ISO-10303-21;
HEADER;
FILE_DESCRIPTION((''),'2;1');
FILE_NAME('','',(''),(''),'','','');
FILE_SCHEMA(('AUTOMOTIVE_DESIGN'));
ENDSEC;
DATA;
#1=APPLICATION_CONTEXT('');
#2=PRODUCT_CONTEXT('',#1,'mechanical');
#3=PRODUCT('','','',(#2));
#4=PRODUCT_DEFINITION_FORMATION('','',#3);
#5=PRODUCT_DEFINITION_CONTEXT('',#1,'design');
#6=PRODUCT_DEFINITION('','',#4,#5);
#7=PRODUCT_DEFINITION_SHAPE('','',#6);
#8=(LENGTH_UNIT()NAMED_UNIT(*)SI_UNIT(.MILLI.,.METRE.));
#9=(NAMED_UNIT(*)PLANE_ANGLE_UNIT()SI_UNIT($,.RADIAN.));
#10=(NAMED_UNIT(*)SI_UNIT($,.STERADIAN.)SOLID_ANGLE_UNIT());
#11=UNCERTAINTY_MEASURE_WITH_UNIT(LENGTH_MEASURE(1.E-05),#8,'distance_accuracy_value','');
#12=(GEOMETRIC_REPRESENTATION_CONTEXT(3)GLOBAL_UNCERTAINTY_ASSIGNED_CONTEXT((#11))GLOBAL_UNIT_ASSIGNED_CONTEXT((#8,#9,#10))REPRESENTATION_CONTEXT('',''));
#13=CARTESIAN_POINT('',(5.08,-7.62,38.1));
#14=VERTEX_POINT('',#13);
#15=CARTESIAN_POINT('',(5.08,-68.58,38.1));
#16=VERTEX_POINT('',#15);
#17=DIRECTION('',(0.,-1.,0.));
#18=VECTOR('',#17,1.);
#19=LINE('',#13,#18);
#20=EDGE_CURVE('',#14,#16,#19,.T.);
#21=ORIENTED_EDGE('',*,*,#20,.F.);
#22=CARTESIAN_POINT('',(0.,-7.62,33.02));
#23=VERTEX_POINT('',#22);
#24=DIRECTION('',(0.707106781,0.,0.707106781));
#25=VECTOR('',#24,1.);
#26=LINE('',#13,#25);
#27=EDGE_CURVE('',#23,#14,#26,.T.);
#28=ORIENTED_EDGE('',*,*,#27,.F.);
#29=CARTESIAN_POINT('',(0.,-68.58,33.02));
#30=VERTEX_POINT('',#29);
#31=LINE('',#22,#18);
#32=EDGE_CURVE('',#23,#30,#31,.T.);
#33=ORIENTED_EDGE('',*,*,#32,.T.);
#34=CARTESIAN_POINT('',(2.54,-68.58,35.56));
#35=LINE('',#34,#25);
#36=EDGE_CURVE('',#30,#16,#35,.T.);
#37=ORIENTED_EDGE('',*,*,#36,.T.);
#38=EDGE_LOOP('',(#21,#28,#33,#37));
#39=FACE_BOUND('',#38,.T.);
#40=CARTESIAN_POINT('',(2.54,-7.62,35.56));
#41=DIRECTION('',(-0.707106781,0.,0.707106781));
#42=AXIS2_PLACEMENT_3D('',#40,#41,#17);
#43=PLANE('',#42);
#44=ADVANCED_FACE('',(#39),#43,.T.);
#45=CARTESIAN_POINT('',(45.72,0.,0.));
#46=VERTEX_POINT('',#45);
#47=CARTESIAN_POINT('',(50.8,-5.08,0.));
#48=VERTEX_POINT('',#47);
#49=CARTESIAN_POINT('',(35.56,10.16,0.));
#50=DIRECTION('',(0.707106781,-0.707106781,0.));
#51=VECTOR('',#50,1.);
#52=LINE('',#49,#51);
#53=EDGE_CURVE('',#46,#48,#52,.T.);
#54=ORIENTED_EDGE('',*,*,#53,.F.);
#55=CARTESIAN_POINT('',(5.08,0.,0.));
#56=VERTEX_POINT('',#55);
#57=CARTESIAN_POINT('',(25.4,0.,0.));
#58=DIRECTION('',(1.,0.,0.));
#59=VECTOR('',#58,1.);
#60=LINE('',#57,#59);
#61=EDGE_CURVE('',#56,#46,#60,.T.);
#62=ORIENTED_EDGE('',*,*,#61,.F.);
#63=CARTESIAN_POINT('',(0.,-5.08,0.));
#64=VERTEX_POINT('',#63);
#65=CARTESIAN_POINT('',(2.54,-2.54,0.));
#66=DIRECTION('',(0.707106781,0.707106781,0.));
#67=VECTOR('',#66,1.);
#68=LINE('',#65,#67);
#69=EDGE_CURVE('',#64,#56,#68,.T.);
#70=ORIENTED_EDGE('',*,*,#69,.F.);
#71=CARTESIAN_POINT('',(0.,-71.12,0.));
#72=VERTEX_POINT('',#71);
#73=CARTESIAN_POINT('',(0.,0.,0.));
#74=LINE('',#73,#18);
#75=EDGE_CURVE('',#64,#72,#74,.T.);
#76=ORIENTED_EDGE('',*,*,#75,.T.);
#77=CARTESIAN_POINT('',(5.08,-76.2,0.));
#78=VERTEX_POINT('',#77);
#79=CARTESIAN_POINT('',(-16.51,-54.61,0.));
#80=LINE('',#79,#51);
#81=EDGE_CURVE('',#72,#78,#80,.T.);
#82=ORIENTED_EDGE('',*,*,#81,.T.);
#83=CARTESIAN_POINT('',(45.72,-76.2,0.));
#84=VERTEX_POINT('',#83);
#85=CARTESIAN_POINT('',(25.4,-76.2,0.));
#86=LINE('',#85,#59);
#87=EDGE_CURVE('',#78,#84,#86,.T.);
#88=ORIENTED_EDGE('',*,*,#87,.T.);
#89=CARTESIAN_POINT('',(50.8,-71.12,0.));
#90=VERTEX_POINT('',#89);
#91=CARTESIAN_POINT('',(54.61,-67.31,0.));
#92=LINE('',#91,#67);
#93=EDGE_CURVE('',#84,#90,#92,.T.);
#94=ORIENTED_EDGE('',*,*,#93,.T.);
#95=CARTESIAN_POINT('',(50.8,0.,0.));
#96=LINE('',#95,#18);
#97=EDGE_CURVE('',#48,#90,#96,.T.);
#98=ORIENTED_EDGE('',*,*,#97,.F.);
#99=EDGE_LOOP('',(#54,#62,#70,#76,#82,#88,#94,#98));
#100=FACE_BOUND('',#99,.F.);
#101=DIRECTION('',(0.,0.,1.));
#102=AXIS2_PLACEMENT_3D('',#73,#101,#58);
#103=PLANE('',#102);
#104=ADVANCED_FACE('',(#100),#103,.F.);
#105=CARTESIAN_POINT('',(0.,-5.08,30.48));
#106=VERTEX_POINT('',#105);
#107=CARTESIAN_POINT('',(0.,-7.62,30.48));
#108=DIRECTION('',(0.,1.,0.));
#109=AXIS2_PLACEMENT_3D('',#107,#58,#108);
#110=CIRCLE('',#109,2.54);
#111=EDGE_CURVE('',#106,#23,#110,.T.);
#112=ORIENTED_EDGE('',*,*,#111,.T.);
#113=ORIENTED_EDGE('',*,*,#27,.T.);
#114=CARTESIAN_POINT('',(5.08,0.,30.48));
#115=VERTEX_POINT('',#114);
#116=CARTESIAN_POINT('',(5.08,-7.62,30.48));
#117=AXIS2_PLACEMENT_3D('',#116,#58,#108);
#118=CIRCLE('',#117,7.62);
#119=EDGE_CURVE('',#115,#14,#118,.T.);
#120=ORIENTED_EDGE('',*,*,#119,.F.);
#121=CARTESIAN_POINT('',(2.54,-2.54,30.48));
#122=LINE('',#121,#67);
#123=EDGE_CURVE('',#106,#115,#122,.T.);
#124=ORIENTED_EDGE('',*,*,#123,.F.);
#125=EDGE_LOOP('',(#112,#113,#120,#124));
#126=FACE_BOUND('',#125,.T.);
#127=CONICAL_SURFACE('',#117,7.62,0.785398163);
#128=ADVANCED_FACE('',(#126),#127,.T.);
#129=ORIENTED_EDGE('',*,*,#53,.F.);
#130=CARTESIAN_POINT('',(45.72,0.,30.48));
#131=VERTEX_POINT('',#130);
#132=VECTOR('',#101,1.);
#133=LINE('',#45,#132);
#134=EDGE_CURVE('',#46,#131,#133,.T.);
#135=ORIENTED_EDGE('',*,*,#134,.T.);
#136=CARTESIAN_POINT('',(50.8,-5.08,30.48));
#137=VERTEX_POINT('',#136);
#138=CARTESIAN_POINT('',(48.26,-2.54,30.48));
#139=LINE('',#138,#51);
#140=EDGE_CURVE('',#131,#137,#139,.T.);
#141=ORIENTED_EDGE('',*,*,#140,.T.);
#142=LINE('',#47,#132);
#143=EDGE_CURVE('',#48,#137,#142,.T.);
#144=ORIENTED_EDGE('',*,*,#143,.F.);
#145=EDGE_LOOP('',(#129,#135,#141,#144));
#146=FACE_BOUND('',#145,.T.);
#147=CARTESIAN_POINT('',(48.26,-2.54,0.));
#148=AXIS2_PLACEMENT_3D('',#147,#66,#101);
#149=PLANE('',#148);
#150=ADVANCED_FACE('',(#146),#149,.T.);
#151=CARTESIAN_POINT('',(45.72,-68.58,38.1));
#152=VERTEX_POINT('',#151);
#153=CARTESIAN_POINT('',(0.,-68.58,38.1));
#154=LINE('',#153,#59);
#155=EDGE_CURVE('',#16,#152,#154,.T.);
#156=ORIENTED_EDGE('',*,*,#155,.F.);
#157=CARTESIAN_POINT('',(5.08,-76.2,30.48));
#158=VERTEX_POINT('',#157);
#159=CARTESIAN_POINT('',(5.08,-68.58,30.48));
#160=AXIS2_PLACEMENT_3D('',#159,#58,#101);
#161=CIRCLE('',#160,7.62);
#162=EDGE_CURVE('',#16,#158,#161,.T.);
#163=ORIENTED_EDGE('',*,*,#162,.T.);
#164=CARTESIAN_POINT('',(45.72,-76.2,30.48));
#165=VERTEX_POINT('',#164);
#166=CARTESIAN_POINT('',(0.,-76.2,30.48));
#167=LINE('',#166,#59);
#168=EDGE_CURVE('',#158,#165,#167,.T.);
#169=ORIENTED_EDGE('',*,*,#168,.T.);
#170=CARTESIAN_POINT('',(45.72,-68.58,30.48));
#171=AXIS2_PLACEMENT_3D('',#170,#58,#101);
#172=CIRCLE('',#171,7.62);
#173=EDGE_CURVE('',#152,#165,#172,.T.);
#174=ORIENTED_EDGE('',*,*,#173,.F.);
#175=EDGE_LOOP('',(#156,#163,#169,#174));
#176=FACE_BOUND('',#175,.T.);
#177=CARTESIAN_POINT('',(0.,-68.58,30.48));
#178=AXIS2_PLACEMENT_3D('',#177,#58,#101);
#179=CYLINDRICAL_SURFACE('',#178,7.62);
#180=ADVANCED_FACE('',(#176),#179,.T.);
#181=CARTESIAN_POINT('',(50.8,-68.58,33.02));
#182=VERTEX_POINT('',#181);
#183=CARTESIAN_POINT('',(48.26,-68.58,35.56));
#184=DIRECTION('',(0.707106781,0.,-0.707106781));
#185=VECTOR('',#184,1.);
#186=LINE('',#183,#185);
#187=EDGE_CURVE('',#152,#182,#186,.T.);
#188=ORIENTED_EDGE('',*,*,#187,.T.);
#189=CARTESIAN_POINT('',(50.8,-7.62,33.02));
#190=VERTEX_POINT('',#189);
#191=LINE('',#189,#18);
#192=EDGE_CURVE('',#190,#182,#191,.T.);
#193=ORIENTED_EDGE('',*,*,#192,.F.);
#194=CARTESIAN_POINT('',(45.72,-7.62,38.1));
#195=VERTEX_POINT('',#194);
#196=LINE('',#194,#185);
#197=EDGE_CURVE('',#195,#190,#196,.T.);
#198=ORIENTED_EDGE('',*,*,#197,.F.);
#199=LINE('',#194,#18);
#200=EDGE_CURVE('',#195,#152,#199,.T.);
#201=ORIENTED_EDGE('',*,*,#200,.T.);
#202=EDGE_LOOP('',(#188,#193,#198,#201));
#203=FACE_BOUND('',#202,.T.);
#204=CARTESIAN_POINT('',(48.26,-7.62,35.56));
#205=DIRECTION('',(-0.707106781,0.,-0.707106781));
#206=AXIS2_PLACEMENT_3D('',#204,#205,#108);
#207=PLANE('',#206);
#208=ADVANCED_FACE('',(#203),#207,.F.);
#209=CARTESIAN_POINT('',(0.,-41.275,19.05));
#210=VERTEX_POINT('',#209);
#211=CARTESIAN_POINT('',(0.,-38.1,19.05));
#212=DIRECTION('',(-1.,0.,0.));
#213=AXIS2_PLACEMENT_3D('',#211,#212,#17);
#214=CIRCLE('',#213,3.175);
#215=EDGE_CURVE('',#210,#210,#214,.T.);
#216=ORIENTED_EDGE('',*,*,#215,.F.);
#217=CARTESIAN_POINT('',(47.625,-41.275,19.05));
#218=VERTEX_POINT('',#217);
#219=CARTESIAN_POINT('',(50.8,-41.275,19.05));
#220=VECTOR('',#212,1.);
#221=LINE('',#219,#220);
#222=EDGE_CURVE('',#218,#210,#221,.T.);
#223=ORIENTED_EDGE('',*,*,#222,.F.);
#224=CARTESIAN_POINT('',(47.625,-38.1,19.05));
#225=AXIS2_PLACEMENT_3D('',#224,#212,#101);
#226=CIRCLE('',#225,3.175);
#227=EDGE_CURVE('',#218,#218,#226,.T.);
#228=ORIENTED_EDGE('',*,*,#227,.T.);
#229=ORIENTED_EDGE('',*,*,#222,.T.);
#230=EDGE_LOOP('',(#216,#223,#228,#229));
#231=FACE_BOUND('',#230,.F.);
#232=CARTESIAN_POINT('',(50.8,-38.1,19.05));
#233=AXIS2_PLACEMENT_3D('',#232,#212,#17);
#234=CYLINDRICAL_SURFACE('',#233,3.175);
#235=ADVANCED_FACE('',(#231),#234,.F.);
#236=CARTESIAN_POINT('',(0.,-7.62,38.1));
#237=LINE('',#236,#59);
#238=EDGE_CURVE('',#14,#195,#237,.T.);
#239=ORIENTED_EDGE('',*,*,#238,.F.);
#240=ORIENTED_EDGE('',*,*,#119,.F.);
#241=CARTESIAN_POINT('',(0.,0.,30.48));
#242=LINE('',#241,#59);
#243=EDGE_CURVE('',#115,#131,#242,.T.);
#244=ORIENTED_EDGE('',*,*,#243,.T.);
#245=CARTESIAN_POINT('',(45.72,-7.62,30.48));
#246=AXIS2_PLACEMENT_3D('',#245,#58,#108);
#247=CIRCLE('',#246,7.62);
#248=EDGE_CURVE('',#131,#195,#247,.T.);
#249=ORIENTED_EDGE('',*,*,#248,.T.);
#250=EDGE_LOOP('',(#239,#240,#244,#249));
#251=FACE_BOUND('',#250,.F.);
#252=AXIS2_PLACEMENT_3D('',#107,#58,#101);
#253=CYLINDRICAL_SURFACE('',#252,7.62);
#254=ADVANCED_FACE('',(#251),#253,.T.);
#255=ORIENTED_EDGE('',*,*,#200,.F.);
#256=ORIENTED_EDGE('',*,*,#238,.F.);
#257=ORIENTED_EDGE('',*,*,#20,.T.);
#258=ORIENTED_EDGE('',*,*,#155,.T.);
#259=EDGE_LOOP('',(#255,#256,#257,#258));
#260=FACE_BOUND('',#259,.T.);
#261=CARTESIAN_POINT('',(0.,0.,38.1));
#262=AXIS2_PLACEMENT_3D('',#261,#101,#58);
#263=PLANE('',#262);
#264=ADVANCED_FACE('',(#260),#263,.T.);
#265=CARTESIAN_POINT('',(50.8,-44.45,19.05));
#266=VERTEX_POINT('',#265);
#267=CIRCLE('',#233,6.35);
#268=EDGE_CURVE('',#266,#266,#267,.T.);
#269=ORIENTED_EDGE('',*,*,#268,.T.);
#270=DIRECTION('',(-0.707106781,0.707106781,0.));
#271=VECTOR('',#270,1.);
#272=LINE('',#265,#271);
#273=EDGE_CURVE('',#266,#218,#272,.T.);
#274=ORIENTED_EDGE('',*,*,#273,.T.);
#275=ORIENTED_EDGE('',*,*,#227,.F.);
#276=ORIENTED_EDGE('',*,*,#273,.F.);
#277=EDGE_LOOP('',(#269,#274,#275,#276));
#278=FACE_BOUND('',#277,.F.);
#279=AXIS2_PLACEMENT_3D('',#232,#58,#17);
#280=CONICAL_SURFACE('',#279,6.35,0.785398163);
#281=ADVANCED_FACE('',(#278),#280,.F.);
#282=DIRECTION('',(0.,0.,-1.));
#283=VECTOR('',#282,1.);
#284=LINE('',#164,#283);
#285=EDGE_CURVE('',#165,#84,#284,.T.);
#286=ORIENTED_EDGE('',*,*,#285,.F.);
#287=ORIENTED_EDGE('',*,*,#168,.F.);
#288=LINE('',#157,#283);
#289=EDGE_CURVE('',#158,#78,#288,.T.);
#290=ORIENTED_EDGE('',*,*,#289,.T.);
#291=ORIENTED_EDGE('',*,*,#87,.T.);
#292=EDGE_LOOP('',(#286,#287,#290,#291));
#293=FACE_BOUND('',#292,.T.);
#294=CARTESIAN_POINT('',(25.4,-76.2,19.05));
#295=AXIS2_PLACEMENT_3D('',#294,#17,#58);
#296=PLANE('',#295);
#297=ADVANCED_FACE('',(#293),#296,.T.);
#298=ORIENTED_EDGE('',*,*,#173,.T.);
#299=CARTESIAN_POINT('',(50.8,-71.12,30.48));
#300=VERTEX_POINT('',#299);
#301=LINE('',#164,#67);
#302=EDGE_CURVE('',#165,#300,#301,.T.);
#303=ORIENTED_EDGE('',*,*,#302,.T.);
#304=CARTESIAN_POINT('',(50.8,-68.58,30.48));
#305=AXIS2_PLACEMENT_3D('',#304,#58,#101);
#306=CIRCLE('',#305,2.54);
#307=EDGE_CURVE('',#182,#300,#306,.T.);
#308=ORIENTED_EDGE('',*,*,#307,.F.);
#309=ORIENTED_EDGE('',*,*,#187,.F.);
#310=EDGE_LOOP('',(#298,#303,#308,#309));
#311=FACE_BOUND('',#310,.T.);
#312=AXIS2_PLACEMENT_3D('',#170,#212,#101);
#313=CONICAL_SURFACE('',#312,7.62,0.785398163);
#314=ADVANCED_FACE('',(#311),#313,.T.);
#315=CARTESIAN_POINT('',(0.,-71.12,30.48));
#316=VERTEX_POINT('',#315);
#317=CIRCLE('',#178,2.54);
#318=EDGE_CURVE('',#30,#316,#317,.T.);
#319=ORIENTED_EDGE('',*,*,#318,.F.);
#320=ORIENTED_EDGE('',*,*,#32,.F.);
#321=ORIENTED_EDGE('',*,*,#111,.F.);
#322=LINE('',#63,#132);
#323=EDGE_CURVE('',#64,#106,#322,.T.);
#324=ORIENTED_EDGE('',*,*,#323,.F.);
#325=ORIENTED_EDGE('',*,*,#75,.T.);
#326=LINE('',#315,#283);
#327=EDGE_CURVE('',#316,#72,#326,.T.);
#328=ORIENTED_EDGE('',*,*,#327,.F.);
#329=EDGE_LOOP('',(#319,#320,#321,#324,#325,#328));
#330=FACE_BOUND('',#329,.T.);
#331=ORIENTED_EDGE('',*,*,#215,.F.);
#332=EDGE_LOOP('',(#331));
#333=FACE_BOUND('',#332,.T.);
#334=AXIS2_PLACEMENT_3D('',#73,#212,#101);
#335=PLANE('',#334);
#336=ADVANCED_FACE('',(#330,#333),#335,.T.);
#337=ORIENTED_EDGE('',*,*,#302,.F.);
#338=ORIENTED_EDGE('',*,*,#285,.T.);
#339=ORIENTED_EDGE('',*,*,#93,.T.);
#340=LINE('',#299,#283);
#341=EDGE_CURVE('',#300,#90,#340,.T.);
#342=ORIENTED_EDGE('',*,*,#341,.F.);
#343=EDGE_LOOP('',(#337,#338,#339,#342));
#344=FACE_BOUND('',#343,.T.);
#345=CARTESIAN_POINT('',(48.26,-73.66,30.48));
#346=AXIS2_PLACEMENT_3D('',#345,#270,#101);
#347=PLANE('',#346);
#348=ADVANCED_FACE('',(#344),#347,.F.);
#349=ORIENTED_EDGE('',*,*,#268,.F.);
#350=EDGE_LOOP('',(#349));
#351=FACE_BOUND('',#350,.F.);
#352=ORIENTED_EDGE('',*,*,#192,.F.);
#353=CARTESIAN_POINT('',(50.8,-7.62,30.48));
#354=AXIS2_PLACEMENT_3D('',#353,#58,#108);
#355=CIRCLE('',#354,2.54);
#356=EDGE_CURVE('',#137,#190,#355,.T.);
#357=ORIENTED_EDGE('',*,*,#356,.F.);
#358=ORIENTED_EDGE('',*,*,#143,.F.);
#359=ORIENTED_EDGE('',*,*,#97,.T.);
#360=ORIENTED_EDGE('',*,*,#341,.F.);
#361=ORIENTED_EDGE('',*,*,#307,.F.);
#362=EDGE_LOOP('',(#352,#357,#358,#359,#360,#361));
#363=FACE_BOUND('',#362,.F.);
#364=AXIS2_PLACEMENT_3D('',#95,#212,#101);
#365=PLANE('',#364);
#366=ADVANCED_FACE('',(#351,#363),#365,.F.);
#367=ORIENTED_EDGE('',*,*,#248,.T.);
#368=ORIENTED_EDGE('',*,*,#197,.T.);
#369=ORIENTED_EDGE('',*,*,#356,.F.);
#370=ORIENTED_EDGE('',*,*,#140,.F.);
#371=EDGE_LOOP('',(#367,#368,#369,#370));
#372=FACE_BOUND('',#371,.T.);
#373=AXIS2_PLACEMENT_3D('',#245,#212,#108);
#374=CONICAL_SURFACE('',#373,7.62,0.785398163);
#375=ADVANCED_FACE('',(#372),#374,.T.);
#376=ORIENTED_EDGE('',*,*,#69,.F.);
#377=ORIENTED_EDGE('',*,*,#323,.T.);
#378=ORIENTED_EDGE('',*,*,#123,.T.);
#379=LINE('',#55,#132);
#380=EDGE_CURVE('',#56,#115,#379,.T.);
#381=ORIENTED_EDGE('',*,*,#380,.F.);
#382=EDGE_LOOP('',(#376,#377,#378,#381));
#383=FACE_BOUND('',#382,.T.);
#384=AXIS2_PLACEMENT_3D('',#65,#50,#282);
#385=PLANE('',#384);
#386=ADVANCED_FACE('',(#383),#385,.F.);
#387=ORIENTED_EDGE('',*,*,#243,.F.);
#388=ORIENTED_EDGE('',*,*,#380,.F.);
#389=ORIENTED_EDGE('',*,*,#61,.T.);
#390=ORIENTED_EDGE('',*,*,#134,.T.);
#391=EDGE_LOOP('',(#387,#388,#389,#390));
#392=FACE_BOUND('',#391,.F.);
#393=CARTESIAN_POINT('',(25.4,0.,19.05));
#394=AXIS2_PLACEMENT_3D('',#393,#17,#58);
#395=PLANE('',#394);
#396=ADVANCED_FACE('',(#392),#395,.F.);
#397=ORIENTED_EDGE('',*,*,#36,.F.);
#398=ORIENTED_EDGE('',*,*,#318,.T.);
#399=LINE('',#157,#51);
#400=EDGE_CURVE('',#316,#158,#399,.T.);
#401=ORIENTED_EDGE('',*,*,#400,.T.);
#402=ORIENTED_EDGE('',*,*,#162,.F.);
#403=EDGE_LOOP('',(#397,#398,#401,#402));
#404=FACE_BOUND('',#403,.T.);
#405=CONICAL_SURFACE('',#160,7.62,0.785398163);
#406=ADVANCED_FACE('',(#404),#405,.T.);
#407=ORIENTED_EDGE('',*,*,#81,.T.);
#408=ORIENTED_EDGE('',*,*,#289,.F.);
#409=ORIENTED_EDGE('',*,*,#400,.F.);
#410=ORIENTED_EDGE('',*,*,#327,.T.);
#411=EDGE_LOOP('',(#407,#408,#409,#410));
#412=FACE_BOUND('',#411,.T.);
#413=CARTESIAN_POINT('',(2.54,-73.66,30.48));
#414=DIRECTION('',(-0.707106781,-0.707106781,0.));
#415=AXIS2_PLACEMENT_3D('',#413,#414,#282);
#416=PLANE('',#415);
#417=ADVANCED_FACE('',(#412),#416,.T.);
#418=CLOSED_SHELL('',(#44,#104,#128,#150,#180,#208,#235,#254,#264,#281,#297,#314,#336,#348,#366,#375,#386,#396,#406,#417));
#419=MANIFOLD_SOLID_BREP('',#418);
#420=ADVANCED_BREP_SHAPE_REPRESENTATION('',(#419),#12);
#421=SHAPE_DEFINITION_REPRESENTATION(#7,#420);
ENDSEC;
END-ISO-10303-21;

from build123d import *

# Parameters (mm, degrees)
F0_W           = 50.8
F0_H           = 38.1
F1_DEPTH       = 76.2
F2_R           = 7.62
F3_SIZE        = 5.08
F5_D           = 6.35
F5_CSINK_D     = 12.7
F5_CSINK_ANGLE = 90


with BuildPart() as f1:
    # F0 (on Front) → F1 (new body)
    with BuildSketch(Plane.XZ):
        with Locations((25.4, 19.05)):
            Rectangle(F0_W, F0_H)
    extrude(amount=F1_DEPTH)

    # F2
    f2_edges = [f1.edges().sort_by_distance(p)[0] for p in [
        (25.4, -76.2, 38.1),
        (25.4, 0, 38.1),
    ]]
    fillet(f2_edges, radius=F2_R)

    # F3
    f3_edges = [f1.edges().sort_by_distance(p)[0] for p in [
        (50.8, -38.1, 38.1),
        (0, -38.1, 38.1),
    ]]
    chamfer(f3_edges, length=F3_SIZE)

    # F5 (through all)
    with Locations(Plane.YZ.offset(50.8)):
        with Locations((-38.1, 19.05)):
            CounterSinkHole(F5_D / 2, F5_CSINK_D / 2, counter_sink_angle=F5_CSINK_ANGLE)


solid = f1.part
